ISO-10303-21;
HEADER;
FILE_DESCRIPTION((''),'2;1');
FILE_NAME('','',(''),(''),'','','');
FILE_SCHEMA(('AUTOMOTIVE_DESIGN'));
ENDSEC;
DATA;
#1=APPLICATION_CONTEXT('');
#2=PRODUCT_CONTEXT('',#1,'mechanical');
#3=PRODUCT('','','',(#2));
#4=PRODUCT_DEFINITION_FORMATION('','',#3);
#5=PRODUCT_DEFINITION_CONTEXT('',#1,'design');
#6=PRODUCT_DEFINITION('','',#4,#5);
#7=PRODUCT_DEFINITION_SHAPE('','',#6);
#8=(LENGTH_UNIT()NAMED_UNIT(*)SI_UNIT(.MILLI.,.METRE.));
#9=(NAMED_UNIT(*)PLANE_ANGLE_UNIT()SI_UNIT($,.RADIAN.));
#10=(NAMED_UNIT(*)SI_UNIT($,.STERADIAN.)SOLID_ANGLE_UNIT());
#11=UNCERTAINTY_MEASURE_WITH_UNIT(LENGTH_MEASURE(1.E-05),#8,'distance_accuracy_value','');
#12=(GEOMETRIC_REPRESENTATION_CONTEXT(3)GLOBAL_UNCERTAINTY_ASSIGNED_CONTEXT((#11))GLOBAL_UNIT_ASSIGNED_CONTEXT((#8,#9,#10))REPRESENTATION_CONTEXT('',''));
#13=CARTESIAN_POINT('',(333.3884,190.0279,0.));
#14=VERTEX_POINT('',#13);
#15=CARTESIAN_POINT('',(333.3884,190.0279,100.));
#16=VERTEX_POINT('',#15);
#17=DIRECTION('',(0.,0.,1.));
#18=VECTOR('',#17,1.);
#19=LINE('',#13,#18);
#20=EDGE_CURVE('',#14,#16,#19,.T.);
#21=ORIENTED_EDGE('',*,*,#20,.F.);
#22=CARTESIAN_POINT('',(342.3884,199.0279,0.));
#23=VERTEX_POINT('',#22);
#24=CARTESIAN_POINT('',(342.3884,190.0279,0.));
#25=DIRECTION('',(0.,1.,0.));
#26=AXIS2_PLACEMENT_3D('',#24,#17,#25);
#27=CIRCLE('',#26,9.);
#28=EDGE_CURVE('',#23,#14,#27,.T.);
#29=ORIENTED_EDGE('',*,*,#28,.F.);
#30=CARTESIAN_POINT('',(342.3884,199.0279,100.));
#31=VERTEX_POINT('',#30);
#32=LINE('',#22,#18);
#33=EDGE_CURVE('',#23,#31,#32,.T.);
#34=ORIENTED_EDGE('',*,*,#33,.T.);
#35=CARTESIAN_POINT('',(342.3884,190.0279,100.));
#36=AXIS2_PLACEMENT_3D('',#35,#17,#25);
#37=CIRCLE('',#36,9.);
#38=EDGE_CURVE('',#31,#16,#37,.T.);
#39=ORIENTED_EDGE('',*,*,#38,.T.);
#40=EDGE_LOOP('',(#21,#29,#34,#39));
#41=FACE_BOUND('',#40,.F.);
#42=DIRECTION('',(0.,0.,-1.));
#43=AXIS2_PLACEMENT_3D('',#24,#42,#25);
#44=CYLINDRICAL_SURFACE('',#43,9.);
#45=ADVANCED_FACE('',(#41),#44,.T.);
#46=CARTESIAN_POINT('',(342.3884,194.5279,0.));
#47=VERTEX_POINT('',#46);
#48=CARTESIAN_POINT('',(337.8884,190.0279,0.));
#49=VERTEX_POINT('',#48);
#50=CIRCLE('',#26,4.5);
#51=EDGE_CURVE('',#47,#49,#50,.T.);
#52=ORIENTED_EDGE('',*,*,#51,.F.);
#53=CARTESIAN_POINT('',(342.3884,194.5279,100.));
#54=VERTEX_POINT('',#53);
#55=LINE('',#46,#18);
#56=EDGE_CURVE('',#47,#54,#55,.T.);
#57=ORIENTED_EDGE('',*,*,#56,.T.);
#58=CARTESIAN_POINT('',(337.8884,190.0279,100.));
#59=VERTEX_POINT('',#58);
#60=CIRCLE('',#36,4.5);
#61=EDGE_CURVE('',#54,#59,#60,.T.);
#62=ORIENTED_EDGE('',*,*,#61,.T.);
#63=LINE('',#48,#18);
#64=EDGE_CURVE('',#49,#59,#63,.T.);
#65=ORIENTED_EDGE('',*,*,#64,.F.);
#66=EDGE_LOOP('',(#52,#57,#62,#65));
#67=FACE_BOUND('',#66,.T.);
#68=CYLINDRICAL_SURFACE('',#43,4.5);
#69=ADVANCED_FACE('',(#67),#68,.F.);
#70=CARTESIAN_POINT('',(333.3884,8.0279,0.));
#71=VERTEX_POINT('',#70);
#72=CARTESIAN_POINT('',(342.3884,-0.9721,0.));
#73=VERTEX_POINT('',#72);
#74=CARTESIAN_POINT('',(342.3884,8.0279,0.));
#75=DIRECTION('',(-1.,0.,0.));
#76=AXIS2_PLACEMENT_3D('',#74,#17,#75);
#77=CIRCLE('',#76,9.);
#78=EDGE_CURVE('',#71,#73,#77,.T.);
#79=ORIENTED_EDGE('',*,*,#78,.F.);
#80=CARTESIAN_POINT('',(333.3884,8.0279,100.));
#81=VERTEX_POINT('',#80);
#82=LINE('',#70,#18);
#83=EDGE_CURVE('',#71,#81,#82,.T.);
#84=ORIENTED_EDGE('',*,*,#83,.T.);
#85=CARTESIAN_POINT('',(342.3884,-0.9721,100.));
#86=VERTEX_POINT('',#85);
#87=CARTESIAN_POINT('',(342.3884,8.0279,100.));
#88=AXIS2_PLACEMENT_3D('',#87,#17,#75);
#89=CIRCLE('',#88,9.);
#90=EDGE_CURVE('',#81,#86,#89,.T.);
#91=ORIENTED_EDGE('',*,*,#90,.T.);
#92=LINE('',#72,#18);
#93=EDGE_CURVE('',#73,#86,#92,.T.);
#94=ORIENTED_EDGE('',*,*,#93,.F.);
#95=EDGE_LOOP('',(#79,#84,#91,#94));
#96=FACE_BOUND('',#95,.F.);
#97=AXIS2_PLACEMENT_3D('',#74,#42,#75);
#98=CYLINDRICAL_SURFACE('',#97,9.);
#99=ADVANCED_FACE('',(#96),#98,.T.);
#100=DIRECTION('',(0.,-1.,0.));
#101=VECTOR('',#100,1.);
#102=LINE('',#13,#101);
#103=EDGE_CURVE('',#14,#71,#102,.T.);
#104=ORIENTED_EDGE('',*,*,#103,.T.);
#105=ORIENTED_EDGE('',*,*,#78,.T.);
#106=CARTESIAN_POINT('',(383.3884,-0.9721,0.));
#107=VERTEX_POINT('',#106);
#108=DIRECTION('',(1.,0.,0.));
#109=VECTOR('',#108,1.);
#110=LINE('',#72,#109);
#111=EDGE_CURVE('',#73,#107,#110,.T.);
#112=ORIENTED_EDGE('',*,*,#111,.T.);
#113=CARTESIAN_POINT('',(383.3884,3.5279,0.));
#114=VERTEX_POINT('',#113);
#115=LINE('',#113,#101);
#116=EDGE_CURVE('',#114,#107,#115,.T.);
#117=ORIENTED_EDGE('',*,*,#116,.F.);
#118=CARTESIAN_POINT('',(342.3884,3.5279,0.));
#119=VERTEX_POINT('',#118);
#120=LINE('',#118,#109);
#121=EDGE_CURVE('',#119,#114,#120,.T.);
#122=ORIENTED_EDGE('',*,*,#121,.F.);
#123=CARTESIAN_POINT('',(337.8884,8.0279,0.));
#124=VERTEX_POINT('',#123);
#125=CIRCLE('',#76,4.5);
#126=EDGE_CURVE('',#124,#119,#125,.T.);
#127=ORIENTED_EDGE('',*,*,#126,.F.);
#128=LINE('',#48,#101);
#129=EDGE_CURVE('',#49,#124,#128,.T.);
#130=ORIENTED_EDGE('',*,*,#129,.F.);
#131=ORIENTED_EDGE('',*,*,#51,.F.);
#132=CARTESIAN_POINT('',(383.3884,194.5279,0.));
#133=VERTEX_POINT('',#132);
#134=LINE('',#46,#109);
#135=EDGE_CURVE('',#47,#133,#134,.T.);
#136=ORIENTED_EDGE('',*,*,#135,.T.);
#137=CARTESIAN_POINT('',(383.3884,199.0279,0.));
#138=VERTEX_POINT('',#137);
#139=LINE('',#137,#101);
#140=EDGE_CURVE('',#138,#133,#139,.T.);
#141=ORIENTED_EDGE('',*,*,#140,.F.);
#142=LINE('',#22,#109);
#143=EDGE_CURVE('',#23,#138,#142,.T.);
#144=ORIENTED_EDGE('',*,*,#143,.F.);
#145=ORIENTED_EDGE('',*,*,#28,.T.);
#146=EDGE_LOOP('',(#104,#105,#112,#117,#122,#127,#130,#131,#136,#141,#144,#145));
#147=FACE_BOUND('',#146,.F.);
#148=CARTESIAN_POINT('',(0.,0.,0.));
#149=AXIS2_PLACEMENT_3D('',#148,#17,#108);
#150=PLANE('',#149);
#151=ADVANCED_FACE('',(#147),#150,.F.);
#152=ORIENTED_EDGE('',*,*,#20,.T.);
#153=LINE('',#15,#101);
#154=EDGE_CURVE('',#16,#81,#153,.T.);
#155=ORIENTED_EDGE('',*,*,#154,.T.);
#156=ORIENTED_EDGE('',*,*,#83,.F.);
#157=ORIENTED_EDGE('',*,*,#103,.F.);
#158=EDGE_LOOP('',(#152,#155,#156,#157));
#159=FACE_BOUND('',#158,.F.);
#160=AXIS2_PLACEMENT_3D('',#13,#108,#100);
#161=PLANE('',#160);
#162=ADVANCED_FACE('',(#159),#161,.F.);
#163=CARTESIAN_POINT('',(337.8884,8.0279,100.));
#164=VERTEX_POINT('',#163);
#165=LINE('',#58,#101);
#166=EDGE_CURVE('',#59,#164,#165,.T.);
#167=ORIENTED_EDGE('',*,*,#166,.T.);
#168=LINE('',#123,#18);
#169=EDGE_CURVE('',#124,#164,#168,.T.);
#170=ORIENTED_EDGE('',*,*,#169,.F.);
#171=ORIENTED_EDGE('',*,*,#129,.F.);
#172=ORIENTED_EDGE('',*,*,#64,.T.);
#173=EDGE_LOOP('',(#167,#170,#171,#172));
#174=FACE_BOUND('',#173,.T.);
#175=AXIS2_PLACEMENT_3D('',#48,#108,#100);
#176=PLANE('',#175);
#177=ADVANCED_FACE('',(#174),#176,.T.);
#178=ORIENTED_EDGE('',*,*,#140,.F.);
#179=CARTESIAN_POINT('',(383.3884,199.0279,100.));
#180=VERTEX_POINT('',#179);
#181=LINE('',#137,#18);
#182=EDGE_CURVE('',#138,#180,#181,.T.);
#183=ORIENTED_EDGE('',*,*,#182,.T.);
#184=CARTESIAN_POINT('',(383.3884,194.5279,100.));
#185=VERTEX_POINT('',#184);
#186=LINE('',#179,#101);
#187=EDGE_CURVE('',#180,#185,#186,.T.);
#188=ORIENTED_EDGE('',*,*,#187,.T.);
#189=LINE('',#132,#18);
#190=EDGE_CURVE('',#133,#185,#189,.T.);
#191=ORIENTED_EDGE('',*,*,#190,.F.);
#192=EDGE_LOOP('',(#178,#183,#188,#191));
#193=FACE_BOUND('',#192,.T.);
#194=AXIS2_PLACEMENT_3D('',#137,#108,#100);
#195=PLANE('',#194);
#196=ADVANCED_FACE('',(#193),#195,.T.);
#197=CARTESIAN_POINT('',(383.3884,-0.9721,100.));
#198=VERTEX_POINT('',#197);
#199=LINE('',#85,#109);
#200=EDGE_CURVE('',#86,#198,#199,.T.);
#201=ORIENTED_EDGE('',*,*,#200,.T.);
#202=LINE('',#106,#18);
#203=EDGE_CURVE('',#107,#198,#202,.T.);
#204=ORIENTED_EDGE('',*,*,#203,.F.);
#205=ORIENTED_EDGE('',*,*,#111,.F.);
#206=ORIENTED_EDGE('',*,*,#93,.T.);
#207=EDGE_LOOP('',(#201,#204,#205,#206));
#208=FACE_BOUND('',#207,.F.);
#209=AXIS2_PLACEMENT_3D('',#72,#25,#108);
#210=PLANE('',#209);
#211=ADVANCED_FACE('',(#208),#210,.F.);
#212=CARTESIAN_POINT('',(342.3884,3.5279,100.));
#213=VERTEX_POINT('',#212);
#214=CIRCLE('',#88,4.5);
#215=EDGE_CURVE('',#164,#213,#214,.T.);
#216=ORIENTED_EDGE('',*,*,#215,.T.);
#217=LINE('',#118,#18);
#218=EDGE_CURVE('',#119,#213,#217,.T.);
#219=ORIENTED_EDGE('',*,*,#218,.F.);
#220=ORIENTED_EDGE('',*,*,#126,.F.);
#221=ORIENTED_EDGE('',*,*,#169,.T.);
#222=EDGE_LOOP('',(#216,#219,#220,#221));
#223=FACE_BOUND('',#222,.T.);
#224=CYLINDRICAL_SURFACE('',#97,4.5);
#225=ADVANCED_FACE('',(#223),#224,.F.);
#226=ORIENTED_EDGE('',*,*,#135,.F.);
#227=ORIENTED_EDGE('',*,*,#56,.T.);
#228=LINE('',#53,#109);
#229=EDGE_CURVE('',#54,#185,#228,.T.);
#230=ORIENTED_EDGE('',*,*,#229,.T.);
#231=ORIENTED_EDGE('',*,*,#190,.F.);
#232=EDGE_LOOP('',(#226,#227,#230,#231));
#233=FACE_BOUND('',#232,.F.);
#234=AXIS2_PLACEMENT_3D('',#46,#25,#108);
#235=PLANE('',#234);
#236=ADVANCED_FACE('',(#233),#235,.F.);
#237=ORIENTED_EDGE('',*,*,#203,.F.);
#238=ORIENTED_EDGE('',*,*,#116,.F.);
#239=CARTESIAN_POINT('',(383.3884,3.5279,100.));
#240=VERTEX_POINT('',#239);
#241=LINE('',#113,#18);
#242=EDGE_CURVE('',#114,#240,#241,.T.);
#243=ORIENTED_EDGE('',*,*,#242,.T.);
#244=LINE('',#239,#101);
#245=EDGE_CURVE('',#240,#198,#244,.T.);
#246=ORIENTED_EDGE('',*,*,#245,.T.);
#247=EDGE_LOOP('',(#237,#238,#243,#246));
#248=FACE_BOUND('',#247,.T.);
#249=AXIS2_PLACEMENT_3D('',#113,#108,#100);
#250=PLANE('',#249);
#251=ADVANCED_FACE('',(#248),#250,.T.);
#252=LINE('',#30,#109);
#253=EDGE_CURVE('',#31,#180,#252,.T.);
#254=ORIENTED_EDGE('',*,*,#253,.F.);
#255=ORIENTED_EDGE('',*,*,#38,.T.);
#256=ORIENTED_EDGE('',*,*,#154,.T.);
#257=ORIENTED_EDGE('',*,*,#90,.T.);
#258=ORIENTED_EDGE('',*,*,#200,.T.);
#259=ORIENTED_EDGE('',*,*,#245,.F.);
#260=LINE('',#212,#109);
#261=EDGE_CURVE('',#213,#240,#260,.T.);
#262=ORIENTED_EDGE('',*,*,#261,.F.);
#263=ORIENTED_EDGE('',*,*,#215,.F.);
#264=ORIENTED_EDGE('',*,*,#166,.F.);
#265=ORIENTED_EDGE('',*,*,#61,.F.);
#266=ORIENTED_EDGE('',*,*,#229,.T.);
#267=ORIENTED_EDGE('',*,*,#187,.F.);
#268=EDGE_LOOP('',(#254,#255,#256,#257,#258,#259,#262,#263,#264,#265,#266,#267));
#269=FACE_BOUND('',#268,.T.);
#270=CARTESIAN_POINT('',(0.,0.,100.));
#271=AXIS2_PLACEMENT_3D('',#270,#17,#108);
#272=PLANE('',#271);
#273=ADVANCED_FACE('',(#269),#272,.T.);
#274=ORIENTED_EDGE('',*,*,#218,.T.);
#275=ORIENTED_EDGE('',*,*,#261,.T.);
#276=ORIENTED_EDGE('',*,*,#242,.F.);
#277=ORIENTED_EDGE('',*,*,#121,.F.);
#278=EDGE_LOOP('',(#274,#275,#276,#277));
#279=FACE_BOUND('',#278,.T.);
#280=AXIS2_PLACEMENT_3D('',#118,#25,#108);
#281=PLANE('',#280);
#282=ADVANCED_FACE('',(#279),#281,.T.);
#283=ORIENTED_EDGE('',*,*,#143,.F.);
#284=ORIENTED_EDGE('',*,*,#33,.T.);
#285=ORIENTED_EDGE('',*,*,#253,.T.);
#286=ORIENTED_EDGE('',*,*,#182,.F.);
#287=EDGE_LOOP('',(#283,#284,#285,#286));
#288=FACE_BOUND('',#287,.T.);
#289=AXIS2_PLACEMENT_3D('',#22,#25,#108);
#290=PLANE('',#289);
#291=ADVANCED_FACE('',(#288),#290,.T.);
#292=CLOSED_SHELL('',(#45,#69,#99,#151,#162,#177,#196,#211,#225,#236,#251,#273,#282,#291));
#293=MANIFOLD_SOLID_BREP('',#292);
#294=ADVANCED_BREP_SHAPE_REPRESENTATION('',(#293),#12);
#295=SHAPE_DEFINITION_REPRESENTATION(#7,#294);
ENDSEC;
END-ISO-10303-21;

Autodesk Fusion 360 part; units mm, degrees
sketch "スケッチ1" plane through (0, 0, 0) normal (0, 0, 1) x (1, 0, 0)
  line L0 (333.3884, 190.0279) -> (333.3884, 8.0279)
  line L1 (337.8884, 190.0279) -> (337.8884, 8.0279)
  line L2 (342.3884, 3.5279) -> (383.3884, 3.5279)
  line L3 (342.3884, -0.9721) -> (383.3884, -0.9721)
  arc A0 (337.8884, 8.0279) -> (342.3884, 3.5279) centre (342.3884, 8.0279) ccw
  arc A1 (333.3884, 8.0279) -> (342.3884, -0.9721) centre (342.3884, 8.0279) ccw
  line L4 (383.3884, 3.5279) -> (383.3884, -0.9721)
  line L5 (342.3884, 199.0279) -> (383.3884, 199.0279)
  line L6 (342.3884, 194.5279) -> (383.3884, 194.5279)
  arc A2 (342.3884, 194.5279) -> (337.8884, 190.0279) centre (342.3884, 190.0279) ccw
  arc A3 (342.3884, 199.0279) -> (333.3884, 190.0279) centre (342.3884, 190.0279) ccw
  line L7 (383.3884, 199.0279) -> (383.3884, 194.5279)
  point P0 (333.3884, 199.0279)
extrude "押し出し1" add sketch "スケッチ1" along normal blind 100
